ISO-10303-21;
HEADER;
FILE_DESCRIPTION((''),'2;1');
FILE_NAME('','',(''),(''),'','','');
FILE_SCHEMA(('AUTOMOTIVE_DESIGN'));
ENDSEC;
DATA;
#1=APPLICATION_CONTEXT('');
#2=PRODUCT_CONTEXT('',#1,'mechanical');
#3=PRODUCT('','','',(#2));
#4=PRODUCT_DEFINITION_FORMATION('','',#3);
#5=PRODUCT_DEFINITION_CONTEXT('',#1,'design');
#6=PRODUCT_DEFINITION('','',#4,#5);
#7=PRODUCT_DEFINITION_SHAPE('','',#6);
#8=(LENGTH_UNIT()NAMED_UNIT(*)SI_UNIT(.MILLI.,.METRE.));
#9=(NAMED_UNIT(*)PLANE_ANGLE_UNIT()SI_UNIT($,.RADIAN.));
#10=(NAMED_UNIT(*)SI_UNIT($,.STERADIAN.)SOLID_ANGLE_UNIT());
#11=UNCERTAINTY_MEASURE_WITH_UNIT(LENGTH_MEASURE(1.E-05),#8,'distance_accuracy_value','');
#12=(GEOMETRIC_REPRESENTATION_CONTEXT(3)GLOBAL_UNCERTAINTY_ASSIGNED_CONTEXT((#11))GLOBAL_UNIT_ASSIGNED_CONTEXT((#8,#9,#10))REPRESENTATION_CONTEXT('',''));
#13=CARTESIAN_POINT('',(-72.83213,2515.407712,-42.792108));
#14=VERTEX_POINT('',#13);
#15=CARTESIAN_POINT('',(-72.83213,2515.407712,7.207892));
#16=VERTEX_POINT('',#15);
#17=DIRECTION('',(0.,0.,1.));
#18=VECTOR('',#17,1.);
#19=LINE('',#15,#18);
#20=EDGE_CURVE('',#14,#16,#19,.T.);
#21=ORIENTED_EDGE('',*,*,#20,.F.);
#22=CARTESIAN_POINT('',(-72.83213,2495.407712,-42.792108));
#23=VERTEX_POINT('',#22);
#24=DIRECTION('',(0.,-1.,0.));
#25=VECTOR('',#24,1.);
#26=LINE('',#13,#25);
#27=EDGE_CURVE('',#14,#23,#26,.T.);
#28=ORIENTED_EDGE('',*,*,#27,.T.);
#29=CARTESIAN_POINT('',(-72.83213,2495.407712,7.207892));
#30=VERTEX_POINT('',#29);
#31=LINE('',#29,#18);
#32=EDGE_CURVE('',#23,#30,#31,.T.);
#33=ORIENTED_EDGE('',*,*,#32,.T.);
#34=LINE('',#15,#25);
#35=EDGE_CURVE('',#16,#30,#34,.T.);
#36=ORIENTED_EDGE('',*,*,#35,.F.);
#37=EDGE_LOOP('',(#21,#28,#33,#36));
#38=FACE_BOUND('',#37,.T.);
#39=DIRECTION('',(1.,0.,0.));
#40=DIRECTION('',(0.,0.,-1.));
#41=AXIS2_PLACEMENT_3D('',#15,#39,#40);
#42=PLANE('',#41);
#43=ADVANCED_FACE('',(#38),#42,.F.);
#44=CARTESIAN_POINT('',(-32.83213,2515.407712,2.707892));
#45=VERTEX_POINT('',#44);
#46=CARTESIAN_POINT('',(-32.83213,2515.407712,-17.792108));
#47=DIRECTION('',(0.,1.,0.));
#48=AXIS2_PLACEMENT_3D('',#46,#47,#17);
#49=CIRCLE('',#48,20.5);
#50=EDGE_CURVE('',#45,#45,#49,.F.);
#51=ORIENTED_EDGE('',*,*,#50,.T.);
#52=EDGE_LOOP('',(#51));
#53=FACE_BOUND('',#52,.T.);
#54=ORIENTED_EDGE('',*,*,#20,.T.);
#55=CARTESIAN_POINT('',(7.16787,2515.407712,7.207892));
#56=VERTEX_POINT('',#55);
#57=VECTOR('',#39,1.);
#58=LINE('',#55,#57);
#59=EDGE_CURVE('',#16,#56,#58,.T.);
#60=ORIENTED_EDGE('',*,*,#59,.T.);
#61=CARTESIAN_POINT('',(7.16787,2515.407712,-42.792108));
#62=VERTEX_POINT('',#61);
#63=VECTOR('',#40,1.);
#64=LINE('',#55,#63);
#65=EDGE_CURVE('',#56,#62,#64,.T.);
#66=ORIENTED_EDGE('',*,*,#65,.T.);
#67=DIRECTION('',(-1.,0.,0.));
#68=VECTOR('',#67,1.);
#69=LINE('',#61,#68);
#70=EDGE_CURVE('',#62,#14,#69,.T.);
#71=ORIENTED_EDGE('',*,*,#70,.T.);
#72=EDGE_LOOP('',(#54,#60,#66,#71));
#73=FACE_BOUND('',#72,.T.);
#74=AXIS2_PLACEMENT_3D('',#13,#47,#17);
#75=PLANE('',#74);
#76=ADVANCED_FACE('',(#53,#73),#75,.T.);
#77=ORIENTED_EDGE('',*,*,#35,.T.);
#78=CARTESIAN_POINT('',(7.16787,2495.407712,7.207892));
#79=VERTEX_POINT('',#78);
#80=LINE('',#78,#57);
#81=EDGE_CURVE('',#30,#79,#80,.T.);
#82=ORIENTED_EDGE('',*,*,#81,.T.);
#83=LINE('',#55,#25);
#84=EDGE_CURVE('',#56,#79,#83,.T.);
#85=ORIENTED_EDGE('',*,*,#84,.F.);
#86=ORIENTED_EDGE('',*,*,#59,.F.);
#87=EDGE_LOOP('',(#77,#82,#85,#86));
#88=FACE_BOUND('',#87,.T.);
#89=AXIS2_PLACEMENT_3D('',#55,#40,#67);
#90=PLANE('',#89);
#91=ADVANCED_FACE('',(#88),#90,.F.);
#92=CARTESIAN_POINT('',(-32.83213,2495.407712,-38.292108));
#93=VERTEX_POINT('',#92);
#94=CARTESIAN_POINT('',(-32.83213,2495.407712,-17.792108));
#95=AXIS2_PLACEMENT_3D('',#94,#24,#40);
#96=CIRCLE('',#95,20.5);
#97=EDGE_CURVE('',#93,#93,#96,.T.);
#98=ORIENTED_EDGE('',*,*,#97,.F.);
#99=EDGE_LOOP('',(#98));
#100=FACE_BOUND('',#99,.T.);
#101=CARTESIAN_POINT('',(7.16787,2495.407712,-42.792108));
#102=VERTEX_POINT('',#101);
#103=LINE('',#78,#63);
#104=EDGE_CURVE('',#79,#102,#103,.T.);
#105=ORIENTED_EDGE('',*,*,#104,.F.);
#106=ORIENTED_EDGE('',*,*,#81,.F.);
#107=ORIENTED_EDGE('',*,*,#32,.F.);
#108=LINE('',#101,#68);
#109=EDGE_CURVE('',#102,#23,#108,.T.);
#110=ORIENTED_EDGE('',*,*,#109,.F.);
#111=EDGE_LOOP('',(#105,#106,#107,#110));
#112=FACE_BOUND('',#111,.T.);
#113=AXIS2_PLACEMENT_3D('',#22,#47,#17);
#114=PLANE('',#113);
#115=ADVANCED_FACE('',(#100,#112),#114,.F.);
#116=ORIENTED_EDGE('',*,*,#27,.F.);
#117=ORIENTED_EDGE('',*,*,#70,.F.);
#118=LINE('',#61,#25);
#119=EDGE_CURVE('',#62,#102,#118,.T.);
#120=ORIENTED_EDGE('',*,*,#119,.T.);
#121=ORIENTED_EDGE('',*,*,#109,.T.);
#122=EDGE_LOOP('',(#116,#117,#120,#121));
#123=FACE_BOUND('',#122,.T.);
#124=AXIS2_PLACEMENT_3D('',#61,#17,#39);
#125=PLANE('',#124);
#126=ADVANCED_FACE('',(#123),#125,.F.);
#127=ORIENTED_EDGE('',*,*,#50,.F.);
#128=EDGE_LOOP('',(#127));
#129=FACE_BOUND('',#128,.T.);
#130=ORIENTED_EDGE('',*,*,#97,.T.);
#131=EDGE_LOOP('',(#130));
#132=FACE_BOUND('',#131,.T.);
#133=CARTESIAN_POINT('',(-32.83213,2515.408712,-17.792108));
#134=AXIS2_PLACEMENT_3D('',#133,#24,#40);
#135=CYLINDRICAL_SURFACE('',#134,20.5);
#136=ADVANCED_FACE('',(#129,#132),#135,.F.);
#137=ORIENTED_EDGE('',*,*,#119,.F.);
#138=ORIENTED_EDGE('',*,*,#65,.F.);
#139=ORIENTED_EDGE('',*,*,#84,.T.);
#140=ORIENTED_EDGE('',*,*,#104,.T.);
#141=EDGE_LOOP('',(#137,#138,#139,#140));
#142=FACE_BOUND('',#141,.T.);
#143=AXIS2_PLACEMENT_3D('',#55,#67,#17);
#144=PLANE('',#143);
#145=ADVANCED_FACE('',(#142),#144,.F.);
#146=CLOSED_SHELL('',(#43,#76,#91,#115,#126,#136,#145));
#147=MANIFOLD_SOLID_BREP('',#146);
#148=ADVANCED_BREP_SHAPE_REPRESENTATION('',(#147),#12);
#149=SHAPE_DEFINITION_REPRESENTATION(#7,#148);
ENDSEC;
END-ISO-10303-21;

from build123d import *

# Parameters (mm, degrees)
SKETCH1_W           = 80
SKETCH1_H           = 50
BOSS_EXTRUDE1_DEPTH = 20
CUT_EXTRUDE1_REACH  = 22
SKETCH2_R           = 20.5


with BuildPart() as part:
    # Sketch1 → Boss-Extrude1 (new body)
    with BuildSketch(Plane(origin=(0, 2495.407712162, 0), x_dir=(1, 0, 0), z_dir=(0, 1, 0))):
        with Locations((-32.832129773, 17.792108153)):
            Rectangle(SKETCH1_W, SKETCH1_H)
    extrude(amount=BOSS_EXTRUDE1_DEPTH)

    # Sketch2 → Cut-Extrude1 (cut, up to next)
    with BuildSketch(Plane.XZ.offset(-2495.407712162), mode=Mode.PRIVATE) as cut_extrude1_sk1:
        with Locations((-32.832129773, -17.792108153)):
            Circle(SKETCH2_R)
    cut_extrude1_tool1 = extrude(cut_extrude1_sk1.sketch, amount=-CUT_EXTRUDE1_REACH, mode=Mode.PRIVATE) & part.part
    add(cut_extrude1_tool1.solids().sort_by_distance((-32.83213, 2495.407712, -17.792108))[0], mode=Mode.SUBTRACT)


solid = part.part
